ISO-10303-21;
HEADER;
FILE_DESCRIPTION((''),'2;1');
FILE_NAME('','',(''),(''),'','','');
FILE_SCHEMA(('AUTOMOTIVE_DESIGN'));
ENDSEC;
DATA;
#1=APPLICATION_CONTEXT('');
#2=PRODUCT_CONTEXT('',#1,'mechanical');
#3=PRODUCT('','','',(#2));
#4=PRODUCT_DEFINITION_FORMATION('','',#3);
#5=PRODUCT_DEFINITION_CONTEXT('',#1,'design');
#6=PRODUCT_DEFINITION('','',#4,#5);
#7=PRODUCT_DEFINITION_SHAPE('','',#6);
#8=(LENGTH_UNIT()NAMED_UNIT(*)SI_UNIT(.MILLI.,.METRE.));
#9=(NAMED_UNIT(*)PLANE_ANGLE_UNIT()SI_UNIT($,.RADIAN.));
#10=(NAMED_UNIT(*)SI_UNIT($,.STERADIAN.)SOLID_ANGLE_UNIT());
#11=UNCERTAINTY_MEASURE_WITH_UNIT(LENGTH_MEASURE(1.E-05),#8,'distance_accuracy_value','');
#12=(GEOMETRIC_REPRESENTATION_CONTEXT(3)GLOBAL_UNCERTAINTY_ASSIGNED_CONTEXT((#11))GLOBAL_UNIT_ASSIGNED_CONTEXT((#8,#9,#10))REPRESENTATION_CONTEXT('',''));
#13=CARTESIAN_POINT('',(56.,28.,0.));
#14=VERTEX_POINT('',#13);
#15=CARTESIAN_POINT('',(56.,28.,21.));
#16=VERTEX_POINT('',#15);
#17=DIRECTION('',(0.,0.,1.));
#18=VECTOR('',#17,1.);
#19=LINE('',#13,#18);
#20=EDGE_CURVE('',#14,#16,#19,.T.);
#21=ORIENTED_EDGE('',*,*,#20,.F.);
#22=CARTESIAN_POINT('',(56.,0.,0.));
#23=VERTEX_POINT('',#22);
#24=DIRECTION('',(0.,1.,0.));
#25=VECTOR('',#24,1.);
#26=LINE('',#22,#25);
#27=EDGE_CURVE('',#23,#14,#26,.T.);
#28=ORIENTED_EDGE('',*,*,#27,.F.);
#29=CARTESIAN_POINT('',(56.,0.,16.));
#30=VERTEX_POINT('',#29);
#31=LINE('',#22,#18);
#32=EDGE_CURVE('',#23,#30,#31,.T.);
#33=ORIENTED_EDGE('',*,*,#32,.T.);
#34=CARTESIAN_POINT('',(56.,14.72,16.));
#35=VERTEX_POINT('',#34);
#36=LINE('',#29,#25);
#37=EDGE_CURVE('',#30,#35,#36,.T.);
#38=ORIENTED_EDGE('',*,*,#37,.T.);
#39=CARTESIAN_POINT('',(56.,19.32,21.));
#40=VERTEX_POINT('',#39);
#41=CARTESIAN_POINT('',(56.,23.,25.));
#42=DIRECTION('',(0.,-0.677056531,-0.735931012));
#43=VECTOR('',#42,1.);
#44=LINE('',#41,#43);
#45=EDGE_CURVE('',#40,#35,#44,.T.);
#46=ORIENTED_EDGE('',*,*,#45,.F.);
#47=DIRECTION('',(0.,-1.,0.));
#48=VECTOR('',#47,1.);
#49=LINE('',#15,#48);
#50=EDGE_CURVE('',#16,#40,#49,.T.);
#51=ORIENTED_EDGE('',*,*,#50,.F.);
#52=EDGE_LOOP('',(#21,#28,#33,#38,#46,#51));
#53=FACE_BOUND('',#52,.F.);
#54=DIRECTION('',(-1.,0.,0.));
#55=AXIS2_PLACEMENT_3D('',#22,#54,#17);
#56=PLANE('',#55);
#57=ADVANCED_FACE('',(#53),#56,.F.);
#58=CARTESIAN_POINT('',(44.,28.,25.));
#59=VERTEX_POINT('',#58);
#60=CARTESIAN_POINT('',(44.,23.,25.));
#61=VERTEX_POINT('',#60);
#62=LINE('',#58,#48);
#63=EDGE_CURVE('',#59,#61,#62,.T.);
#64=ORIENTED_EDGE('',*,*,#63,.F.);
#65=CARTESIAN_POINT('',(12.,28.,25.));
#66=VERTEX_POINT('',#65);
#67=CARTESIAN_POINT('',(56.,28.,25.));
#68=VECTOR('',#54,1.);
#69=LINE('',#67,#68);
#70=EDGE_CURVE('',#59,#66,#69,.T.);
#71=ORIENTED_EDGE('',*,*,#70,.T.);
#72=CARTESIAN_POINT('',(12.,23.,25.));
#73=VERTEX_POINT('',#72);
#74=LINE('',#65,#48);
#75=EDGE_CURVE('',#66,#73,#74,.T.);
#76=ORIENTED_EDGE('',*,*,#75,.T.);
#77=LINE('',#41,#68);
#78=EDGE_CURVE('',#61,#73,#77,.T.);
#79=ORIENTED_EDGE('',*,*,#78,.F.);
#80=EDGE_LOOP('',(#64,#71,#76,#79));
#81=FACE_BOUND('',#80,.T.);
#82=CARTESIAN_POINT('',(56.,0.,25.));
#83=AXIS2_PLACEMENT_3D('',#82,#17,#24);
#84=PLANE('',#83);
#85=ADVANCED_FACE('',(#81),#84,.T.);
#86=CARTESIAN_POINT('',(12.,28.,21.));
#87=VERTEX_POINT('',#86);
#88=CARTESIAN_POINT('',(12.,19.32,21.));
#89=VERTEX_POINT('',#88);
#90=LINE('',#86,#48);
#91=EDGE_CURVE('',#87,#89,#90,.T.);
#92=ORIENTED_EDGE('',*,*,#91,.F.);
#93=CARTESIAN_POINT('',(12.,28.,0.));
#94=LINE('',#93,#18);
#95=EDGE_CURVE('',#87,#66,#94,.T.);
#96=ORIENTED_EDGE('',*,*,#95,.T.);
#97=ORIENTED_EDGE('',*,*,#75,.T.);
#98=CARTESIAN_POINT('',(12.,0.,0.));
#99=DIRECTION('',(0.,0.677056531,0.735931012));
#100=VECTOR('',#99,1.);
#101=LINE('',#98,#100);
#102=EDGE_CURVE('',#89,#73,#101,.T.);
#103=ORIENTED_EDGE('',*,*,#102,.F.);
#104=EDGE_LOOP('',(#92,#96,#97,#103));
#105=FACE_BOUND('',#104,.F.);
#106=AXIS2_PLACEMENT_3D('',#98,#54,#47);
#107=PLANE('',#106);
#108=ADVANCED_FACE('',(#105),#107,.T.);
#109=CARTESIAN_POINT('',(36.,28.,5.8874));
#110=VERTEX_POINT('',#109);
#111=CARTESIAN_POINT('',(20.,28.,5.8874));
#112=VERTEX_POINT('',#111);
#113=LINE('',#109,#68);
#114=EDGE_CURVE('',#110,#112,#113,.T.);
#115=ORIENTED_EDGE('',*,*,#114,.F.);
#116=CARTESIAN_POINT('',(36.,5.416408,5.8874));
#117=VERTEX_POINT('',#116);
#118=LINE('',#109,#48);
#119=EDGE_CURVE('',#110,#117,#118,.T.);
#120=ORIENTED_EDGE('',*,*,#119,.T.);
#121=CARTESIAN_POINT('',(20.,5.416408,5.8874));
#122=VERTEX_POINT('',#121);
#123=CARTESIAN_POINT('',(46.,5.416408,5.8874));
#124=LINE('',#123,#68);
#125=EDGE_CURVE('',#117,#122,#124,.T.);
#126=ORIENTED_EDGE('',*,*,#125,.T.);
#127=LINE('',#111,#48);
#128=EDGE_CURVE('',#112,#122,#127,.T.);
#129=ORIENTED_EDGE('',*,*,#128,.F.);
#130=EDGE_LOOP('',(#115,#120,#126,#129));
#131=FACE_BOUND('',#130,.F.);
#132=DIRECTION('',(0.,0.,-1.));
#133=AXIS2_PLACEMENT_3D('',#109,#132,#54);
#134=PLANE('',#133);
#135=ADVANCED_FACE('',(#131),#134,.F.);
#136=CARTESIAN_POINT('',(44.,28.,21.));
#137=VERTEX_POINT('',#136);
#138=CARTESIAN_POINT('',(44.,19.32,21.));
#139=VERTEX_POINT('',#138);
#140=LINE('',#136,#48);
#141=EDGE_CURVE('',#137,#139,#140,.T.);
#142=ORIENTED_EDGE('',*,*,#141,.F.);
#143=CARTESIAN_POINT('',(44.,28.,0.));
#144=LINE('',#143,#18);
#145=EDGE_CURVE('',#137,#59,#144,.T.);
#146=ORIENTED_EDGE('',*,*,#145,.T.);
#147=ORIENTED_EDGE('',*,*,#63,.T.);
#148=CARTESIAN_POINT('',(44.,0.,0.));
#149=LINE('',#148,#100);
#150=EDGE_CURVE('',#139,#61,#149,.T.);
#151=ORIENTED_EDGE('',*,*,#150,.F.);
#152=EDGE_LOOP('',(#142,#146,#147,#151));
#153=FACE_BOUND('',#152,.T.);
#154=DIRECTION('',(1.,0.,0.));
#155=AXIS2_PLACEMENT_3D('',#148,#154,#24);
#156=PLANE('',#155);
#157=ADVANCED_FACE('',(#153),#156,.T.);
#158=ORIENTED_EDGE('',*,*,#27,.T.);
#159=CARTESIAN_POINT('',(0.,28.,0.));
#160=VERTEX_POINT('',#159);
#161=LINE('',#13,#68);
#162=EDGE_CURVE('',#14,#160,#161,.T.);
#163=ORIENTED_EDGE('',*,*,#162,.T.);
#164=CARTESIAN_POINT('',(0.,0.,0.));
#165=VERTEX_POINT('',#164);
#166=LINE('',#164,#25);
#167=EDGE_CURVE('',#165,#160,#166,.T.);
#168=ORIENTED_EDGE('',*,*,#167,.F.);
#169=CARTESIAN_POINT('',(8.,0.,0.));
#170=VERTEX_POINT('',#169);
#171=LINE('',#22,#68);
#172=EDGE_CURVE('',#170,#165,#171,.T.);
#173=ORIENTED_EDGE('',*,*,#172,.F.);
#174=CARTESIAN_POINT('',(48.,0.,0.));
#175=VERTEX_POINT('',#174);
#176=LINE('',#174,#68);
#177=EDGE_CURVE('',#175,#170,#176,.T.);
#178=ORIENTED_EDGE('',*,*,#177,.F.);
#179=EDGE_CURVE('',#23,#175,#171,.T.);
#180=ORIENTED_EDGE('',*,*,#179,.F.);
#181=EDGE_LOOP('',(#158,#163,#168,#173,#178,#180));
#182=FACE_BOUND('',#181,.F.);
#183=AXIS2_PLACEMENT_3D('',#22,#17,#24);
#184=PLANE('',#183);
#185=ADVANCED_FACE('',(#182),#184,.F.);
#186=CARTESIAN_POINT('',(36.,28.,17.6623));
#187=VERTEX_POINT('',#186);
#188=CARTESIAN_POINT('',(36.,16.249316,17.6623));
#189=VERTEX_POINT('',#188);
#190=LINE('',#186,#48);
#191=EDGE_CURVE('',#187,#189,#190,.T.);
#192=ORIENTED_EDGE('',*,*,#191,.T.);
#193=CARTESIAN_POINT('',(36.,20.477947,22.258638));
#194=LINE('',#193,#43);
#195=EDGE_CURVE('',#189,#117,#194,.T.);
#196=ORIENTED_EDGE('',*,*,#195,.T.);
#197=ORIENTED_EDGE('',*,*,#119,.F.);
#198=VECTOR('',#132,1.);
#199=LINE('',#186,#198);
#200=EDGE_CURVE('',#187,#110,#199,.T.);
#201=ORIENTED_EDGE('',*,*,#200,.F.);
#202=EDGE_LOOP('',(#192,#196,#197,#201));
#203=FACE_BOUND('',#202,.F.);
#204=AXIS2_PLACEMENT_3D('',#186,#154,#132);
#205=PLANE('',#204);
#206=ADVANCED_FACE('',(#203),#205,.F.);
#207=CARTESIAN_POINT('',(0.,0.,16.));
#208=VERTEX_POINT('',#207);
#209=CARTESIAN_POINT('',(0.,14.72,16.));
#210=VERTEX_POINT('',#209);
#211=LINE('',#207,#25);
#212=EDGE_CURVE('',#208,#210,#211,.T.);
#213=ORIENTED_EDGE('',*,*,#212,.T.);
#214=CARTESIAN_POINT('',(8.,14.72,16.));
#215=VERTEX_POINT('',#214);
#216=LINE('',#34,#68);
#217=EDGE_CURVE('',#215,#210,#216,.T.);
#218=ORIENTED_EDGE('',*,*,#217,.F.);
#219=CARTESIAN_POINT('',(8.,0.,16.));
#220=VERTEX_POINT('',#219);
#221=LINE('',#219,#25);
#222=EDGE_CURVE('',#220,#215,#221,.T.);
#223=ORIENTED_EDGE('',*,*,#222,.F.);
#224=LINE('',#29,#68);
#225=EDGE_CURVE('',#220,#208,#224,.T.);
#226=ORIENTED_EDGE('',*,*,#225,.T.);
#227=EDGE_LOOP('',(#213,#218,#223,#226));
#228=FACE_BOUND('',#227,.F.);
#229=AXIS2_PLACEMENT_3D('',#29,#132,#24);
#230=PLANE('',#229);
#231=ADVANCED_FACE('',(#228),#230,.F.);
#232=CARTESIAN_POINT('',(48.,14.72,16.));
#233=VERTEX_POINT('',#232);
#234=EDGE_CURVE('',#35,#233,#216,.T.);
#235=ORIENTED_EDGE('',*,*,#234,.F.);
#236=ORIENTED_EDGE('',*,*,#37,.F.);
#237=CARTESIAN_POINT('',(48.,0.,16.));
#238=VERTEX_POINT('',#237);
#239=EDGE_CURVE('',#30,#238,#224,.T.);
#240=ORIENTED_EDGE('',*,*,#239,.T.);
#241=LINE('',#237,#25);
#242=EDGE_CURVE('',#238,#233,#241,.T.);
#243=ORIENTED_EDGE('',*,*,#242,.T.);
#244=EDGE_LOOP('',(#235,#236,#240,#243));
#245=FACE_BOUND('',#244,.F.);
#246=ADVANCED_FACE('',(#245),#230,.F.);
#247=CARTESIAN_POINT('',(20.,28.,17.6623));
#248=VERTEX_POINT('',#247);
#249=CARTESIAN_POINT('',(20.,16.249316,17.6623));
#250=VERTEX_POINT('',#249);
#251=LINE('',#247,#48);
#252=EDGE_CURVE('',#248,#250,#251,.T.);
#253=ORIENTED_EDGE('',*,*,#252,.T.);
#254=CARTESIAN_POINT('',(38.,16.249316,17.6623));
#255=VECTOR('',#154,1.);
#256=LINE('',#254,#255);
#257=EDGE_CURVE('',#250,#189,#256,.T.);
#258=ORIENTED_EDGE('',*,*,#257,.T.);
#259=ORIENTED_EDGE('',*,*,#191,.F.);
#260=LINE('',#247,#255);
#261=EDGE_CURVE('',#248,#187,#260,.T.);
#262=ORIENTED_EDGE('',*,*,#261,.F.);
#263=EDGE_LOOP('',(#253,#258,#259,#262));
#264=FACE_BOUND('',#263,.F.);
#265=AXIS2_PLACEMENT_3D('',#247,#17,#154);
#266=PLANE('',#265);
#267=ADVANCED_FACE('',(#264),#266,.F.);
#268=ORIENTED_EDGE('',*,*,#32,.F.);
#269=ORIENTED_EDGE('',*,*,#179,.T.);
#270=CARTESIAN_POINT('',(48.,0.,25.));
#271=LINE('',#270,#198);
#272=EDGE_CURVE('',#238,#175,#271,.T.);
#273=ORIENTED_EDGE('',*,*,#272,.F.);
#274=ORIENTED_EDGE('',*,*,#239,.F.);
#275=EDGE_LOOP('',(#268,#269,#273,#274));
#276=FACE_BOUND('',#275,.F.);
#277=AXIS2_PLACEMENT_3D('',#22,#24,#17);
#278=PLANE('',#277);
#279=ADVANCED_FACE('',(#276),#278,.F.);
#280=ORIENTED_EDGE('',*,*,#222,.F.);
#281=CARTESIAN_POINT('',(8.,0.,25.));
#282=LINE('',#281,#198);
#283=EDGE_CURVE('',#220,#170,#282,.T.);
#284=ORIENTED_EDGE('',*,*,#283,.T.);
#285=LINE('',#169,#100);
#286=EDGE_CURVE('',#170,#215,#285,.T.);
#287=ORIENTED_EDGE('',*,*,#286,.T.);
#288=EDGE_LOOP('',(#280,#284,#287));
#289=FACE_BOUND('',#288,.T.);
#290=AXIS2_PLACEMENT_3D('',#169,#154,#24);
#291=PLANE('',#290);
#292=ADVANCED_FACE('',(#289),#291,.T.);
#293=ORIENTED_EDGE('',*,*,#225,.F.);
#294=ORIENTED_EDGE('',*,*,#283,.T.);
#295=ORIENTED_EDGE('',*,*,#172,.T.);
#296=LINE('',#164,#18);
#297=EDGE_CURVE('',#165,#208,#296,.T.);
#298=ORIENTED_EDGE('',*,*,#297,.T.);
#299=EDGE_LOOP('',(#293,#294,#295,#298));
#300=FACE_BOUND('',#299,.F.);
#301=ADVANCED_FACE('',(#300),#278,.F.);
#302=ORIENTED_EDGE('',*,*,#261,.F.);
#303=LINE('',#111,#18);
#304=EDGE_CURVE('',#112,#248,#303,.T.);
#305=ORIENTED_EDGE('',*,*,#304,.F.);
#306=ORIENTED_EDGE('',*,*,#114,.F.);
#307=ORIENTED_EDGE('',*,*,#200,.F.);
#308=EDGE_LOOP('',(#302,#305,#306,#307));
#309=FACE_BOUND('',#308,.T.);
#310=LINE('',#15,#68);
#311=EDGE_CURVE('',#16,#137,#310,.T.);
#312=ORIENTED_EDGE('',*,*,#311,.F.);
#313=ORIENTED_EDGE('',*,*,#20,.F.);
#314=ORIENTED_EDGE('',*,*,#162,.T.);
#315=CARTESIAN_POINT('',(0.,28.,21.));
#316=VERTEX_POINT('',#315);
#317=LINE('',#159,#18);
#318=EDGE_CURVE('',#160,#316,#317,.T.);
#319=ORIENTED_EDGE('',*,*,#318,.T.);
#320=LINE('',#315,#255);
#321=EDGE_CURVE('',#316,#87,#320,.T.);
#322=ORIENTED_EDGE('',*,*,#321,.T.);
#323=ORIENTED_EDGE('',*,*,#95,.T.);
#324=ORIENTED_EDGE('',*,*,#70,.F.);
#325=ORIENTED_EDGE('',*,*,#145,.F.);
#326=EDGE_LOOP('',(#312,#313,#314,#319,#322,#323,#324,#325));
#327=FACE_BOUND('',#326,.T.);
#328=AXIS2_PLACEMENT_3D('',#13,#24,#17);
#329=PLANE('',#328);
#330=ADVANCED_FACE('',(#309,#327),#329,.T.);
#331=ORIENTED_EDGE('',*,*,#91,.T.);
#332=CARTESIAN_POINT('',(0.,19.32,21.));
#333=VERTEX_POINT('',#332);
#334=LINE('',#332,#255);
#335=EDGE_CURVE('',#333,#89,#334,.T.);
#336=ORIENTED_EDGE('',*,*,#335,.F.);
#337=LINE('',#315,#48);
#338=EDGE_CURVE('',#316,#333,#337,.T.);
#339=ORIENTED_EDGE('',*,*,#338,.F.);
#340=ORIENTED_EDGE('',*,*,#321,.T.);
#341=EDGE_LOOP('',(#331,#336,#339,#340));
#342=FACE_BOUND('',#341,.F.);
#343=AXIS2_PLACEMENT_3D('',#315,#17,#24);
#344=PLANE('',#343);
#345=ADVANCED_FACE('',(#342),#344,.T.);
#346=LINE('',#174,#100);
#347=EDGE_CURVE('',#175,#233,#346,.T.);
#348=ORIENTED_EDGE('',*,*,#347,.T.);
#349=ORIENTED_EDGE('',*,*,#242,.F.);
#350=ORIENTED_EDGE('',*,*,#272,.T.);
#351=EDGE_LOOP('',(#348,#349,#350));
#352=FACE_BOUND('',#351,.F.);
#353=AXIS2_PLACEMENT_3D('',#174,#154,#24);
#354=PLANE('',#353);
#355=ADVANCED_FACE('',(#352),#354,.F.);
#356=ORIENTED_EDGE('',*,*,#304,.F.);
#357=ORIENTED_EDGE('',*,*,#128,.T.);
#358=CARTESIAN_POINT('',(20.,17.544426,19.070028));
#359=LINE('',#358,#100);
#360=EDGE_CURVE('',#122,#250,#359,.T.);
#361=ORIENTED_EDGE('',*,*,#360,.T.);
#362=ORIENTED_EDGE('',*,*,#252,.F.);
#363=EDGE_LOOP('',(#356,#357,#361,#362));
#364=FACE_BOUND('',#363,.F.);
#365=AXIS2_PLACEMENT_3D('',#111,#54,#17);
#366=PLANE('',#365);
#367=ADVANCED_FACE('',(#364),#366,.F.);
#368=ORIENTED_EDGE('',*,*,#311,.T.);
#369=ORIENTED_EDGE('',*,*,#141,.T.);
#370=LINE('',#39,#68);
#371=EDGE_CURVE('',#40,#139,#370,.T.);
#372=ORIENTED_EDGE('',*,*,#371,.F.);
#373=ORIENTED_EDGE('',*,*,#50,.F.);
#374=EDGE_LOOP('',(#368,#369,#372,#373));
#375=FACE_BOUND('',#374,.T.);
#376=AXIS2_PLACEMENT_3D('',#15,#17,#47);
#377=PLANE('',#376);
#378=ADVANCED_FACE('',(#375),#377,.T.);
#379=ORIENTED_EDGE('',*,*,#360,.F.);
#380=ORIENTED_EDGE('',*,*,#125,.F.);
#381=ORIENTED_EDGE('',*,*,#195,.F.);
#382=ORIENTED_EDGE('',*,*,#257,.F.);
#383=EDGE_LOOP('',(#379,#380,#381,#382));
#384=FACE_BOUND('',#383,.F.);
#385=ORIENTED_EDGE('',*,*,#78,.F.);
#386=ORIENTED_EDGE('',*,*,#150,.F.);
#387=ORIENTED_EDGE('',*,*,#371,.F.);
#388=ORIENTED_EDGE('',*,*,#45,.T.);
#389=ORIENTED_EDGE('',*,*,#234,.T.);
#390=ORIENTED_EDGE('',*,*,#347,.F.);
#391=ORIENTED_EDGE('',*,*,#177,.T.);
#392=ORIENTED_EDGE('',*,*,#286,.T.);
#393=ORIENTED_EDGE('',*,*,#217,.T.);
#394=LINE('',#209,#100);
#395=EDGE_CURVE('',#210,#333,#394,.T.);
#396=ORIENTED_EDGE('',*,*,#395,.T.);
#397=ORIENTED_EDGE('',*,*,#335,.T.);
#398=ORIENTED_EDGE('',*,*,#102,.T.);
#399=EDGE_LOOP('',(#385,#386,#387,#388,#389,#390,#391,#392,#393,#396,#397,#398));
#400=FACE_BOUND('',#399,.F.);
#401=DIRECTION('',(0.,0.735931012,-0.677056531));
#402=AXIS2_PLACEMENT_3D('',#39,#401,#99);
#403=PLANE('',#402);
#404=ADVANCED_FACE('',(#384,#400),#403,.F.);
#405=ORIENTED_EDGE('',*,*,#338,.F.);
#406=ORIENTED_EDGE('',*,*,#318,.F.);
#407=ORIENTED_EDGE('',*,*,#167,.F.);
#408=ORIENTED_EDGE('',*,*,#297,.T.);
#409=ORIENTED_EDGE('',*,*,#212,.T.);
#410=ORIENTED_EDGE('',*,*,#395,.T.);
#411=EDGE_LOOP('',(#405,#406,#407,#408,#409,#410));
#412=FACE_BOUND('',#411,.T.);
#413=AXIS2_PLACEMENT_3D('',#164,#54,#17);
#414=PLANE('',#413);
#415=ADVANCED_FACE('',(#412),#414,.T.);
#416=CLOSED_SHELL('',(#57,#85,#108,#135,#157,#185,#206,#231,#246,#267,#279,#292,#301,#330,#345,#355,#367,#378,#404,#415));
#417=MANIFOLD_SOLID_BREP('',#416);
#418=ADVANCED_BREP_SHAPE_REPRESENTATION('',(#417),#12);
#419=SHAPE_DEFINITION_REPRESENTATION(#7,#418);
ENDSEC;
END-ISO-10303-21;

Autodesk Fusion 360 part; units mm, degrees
sketch "Sketch1" plane through (0, 0, 0) normal (0, 0, 1) x (1, 0, 0)
box "BoxPrimitive1" add length 28 width 56 height 25 placed x (0, 1, 0) y (-1, 0, 0) z (0, 0, 1) at (56, 0, 0)
sketch "Sketch2" plane through (56, 0, 0) normal (1, 0, 0) x (0, 1, 0)
  line L0 (0, 25) -> (0, 0)
  line L1 (0, 0) -> (28, 0)
  line L2 (28, 0) -> (28, 25)
  line L3 (28, 25) -> (0, 25)
  line L4 (0, 0) -> (23, 25)
  line L5 (28, 21) -> (19.32, 21)
  line L6 (0, 16) -> (14.72, 16)
  dimension "d6" = 5
  dimension "d7" = 16
  dimension "d8" = 5
extrude "Extrude1" cut sketch "Sketch2" against normal blind 56 contours L0 L3 L4 L6
extrude "Extrude2" cut sketch "Sketch2" against normal blind 40 from surface at -8 contours L0 L4 L6
extrude "Extrude3" cut sketch "Sketch2" against normal blind 12 contours L2 L3 L4 L5
ref_plane "WorkPlane1" through (28, 14, 12.5) normal (-1, 0, 0) x (0, 0, 1)
mirror "Mirror1" about plane through (28, 14, 12.5) normal (-1, 0, 0) of "Extrude3"
sketch "Sketch3" plane through (0, 0, 0) normal (0, -0.735931, 0.677057) x (1, 0, 0)
  line L0 (12, 28.5353) -> (0, 28.5353)
  line L1 (0, 28.5353) -> (0, 21.7412)
  line L2 (0, 21.7412) -> (8, 21.7412)
  line L3 (8, 21.7412) -> (8, 0)
  line L4 (8, 0) -> (48, 0)
  line L5 (48, 0) -> (48, 21.7412)
  line L6 (48, 21.7412) -> (56, 21.7412)
  line L7 (56, 21.7412) -> (56, 28.5353)
  line L8 (56, 28.5353) -> (44, 28.5353)
  line L9 (44, 28.5353) -> (44, 33.9706)
  line L10 (44, 33.9706) -> (12, 33.9706)
  line L11 (12, 33.9706) -> (12, 28.5353)
  line L12 (20, 24) -> (36, 24)
  line L13 (36, 24) -> (36, 8)
  line L14 (36, 8) -> (20, 8)
  line L15 (20, 8) -> (20, 24)
  dimension "d18" = 16
  dimension "d19" = 16
  dimension "d20" = 8
  dimension "d21" = 12
sketch "Sketch4" plane through (0, 28, 0) normal (0, 1, 0) x (-1, 0, 0)
  line L0 (0, 21) -> (-12, 21)
  line L1 (-12, 21) -> (-12, 25)
  line L2 (-12, 25) -> (-44, 25)
  line L3 (-44, 25) -> (-44, 21)
  line L4 (-44, 21) -> (-56, 21)
  line L5 (-56, 21) -> (-56, 0)
  line L6 (-56, 0) -> (0, 0)
  line L7 (0, 0) -> (0, 21)
  line L8 (-36, 5.8874) -> (-20, 5.8874)
  line L9 (-20, 5.8874) -> (-20, 17.6623)
  line L10 (-36, 17.6623) -> (-36, 5.8874)
  line L11 (-20, 17.6623) -> (-36, 17.6623)
extrude "Extrude4" cut sketch "Sketch4" against normal blind 28 contours L8 L9 L10 L11
